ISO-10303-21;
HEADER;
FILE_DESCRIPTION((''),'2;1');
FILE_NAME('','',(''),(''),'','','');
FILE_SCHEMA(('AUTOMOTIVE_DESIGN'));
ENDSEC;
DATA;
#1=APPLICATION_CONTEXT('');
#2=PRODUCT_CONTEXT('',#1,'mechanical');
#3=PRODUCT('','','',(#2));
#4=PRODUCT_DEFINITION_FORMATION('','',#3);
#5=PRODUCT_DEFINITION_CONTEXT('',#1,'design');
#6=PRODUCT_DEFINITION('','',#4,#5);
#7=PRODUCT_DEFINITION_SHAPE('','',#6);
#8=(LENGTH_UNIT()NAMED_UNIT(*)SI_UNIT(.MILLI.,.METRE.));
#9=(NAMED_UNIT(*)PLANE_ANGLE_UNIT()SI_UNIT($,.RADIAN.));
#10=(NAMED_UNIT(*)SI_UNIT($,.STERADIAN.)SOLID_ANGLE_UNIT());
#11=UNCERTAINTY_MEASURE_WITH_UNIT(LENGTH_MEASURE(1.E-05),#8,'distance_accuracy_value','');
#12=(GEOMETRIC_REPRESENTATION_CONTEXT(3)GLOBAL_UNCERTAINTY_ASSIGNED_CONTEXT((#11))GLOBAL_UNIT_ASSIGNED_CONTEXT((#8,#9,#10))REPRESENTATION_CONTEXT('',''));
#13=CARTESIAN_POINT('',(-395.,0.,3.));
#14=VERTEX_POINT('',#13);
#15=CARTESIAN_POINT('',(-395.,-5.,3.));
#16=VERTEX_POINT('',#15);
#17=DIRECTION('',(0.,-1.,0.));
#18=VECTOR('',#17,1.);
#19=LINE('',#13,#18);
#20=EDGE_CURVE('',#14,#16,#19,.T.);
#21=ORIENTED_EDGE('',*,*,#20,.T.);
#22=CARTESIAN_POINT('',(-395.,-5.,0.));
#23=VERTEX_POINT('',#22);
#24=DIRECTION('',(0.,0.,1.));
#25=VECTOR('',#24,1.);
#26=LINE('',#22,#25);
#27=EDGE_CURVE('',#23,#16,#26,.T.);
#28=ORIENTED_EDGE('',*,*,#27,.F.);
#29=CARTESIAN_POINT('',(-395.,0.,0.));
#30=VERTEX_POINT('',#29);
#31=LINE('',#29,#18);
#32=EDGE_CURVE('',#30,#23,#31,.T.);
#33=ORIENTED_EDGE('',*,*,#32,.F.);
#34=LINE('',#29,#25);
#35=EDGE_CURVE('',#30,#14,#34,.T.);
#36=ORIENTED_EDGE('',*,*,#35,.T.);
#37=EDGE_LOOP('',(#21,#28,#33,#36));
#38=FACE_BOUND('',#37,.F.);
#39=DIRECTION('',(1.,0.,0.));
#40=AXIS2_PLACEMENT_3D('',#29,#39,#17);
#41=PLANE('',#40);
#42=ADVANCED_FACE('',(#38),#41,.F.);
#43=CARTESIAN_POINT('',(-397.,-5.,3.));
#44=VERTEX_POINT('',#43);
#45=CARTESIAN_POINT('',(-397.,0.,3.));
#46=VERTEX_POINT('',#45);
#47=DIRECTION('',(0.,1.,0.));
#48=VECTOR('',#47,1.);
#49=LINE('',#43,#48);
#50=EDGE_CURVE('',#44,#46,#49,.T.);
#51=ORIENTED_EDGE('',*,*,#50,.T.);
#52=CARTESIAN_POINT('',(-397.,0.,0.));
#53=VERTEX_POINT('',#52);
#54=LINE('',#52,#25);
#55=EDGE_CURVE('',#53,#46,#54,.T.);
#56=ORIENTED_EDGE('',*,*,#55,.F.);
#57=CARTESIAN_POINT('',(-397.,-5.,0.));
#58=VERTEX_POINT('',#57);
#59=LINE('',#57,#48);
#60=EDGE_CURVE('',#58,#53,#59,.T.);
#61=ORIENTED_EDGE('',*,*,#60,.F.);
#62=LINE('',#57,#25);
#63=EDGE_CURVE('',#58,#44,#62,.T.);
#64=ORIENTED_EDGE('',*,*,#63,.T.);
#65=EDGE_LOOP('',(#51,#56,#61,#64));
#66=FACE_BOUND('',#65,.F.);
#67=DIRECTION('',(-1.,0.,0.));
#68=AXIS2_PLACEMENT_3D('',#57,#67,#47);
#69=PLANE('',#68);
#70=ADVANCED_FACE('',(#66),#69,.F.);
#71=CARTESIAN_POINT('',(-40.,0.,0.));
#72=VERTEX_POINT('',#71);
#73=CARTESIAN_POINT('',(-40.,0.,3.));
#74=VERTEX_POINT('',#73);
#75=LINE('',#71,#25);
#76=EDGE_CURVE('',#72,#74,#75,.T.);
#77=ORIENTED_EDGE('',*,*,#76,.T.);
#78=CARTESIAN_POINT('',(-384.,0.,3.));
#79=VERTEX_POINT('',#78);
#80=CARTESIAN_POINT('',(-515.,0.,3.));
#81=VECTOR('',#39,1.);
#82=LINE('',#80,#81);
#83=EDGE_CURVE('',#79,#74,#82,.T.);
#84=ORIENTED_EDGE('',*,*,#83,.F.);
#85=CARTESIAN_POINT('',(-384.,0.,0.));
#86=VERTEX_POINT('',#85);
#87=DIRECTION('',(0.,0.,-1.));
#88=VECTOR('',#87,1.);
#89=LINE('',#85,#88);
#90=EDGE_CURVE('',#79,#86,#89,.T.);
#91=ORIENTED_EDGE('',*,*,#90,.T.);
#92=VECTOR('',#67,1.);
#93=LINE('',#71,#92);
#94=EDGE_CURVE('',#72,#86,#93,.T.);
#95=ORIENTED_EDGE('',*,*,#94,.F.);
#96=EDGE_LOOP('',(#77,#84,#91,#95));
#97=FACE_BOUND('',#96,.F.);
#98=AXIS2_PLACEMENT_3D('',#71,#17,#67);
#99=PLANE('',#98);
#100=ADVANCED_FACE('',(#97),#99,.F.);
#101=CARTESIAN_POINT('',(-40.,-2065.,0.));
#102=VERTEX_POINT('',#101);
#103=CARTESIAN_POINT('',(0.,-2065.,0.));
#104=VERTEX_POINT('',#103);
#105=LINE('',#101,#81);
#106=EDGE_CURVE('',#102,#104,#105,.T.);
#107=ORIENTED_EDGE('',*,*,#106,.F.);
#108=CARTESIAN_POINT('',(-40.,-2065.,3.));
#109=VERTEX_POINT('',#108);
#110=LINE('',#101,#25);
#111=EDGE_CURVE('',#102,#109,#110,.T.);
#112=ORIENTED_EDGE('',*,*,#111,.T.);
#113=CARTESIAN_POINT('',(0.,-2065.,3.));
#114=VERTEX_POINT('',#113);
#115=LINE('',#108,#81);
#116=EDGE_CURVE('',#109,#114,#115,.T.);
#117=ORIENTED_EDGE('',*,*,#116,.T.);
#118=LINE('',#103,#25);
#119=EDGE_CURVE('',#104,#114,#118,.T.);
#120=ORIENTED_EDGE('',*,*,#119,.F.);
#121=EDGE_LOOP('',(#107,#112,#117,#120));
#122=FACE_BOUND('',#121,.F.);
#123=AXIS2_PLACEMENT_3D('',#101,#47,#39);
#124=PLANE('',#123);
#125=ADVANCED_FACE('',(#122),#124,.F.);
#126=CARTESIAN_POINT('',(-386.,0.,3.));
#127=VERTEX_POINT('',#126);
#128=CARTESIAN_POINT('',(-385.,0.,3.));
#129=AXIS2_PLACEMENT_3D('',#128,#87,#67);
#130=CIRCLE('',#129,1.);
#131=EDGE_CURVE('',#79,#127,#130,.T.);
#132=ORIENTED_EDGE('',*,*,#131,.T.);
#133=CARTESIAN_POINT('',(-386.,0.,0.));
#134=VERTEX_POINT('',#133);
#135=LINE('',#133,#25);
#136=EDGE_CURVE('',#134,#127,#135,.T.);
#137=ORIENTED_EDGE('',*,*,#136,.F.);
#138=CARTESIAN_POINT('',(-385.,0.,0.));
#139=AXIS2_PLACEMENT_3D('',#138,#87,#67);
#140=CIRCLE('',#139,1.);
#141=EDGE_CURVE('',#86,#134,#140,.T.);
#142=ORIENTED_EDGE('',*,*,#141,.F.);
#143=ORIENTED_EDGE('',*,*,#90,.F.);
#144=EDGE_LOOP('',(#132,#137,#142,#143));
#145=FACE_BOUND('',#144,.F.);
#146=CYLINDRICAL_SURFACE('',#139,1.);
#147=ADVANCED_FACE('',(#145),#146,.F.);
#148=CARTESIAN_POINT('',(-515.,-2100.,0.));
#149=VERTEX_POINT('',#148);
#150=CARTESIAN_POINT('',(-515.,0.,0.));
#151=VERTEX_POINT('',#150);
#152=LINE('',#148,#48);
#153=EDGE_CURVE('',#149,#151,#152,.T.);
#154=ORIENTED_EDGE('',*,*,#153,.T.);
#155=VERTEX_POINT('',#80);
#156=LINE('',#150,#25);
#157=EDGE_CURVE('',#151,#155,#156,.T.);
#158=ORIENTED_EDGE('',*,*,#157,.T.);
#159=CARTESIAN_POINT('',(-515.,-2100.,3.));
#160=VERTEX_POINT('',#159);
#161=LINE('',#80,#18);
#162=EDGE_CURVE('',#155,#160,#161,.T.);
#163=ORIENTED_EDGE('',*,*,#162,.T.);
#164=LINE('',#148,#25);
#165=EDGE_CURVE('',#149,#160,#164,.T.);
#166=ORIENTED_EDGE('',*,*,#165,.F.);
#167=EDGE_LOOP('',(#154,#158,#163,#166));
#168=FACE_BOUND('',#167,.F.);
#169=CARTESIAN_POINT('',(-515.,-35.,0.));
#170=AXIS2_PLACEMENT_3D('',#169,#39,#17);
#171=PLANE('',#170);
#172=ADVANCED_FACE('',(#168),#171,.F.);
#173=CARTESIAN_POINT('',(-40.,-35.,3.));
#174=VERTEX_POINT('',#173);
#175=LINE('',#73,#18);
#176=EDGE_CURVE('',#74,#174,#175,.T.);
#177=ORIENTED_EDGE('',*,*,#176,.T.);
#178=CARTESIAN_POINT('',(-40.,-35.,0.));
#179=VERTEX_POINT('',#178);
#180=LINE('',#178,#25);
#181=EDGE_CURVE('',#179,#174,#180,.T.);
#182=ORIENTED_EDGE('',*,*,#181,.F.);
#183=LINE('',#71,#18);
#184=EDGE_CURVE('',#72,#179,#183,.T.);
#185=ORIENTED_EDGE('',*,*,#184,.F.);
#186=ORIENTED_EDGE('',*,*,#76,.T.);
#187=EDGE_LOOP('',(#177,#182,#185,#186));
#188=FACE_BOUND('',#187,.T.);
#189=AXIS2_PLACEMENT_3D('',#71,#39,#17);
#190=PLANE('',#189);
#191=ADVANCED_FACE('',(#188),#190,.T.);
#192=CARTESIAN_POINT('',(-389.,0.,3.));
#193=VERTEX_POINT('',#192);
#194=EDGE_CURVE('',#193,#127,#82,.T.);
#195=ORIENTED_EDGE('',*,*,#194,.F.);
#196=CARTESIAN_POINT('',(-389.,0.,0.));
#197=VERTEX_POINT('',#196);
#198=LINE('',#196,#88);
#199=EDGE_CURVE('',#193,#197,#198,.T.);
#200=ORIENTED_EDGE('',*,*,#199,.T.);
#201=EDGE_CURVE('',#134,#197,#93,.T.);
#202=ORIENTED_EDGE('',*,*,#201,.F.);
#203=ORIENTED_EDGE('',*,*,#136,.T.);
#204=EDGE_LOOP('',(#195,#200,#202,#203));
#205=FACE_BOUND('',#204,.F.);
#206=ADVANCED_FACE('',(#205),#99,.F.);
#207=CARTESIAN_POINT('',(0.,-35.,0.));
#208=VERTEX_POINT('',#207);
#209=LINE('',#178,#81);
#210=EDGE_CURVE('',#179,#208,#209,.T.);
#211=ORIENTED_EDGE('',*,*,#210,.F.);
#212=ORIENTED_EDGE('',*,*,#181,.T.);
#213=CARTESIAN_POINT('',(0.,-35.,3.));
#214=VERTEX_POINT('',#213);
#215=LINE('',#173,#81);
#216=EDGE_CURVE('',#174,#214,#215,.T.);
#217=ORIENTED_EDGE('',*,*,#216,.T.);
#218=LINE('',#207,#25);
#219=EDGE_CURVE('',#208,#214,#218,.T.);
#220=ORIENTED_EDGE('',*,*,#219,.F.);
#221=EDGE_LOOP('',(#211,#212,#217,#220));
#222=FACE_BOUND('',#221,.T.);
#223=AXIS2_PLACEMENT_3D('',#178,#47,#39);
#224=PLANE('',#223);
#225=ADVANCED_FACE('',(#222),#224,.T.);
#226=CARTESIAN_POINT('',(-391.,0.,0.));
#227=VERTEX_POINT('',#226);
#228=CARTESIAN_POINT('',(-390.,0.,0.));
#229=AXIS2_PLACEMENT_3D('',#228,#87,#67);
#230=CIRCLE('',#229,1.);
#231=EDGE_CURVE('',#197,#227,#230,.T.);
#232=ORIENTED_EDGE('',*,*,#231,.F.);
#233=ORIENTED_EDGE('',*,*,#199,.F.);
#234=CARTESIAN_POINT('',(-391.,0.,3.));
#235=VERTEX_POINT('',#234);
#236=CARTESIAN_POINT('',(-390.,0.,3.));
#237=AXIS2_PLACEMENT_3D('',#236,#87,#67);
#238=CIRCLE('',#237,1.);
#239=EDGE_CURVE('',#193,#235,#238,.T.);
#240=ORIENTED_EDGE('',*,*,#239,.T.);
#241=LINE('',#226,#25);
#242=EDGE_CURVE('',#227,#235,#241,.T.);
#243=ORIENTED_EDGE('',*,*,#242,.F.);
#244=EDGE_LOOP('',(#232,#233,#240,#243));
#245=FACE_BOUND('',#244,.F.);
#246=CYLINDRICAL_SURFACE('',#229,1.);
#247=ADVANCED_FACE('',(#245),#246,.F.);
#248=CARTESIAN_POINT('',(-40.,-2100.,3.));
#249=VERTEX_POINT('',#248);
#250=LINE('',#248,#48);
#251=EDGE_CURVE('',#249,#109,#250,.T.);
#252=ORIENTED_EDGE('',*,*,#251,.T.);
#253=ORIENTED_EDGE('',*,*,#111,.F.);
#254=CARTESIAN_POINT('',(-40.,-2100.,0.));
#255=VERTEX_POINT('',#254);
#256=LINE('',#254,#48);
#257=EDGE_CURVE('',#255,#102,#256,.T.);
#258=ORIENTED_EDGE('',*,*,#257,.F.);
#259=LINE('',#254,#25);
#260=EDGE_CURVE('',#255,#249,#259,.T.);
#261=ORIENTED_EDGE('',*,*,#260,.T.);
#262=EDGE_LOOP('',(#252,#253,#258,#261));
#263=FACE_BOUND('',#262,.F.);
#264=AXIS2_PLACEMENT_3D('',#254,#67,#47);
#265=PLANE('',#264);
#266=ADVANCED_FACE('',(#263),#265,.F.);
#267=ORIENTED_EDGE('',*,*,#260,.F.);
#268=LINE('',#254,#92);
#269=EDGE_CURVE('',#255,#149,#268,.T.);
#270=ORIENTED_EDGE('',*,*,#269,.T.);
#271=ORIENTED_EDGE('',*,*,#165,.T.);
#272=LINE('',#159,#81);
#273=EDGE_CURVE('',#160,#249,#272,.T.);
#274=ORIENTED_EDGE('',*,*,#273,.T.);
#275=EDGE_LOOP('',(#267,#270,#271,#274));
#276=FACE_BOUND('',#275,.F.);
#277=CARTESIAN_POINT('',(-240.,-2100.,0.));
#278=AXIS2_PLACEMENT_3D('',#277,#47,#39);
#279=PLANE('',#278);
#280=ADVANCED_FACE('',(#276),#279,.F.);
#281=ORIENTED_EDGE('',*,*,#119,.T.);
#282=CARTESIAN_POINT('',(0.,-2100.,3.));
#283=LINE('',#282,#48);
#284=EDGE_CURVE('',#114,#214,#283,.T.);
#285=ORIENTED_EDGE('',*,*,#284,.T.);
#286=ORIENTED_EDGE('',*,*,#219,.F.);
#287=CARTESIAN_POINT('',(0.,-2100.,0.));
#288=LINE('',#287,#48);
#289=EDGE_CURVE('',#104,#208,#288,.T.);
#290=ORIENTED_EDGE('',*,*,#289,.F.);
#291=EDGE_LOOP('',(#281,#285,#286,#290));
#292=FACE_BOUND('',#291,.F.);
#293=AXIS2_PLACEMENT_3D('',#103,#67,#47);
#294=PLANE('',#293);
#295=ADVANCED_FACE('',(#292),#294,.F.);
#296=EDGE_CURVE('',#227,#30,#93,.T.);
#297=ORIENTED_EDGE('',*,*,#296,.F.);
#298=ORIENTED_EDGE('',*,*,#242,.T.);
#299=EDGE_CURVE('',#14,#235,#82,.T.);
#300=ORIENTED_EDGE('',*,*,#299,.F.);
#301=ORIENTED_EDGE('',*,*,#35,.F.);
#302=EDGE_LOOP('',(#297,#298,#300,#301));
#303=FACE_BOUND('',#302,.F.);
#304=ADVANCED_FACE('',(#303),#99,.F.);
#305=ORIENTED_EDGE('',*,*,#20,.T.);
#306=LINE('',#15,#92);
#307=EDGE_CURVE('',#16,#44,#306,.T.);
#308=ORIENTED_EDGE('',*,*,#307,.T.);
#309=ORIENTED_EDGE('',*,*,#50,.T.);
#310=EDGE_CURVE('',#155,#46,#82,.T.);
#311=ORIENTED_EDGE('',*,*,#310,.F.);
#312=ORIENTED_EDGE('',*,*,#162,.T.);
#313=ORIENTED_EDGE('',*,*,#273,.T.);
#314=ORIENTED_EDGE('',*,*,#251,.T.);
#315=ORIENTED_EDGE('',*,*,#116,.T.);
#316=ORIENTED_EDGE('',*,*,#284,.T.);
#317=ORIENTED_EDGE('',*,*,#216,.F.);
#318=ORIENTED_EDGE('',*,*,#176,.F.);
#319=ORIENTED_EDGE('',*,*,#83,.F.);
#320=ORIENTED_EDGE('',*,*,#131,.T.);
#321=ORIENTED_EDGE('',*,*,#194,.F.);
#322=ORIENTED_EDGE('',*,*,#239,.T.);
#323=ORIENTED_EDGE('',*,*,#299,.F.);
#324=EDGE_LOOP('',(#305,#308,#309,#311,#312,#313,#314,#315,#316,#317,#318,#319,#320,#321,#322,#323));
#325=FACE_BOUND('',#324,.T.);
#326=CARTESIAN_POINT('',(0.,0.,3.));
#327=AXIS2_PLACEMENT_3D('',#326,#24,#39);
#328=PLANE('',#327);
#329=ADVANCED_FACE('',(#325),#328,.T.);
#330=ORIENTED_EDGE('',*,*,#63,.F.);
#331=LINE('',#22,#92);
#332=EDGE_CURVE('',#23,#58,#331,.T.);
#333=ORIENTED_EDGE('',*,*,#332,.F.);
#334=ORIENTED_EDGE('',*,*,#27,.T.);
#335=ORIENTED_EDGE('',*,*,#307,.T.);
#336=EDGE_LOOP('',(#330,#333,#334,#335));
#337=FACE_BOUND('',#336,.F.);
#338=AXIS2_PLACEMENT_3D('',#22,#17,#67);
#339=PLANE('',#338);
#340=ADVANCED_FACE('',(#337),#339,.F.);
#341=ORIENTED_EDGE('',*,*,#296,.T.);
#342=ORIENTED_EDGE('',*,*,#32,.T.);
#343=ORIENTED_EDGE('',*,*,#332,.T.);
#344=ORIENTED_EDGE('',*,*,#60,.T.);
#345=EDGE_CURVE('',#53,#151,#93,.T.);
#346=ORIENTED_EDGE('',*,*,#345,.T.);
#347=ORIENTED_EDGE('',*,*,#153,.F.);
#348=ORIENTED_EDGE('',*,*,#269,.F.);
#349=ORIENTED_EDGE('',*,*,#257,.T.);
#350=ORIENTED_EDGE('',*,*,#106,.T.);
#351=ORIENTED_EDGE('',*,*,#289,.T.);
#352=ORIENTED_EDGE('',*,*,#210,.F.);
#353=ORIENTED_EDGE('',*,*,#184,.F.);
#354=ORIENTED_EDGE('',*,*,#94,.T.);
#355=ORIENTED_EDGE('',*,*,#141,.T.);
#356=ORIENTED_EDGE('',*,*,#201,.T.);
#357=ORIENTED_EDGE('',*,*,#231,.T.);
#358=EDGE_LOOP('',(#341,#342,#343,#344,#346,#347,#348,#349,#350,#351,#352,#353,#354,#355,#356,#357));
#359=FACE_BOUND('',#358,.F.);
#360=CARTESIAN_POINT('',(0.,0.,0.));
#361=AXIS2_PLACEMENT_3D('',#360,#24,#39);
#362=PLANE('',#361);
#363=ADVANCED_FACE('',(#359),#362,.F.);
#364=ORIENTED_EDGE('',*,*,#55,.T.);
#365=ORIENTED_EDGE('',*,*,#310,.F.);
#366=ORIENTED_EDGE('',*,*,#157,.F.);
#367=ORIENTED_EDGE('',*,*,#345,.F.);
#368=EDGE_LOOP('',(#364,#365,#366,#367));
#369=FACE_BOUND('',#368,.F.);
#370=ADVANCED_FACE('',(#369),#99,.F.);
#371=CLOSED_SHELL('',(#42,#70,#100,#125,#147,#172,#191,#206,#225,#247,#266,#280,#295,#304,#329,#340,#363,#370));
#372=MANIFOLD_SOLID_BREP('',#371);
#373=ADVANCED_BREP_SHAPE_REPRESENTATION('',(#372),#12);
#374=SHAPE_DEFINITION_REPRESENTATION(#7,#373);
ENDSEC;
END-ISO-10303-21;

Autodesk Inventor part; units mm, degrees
ref_plane "YZ Plane" through (0, 0, 0) normal (1, 0, 0) x (0, 1, 0)
ref_plane "XZ Plane" through (0, 0, 0) normal (0, 1, 0) x (-1, 0, 0)
ref_plane "XY Plane" through (0, 0, 0) normal (0, 0, 1) x (1, 0, 0)
sketch "Sketch1" plane through (0, 0, 0) normal (0, 0, 1) x (1, 0, 0)
  line L0 (0, 0) -> (-515, 0)
  line L1 (-515, 0) -> (-515, -2100)
  line L2 (-515, -2100) -> (0, -2100)
  line L3 (0, -2100) -> (0, 0)
  line L4 (0, 0) -> (-40, 0)
  line L5 (-40, 0) -> (-40, -35)
  line L6 (-40, -35) -> (0, -35)
  line L7 (0, -35) -> (0, 0)
  line L8 (0, -2100) -> (-40, -2100)
  line L9 (-40, -2100) -> (-40, -2065)
  line L10 (-40, -2065) -> (0, -2065)
  line L11 (0, -2065) -> (0, -2100)
  line L12 (-515, 0) -> (-475, 0)
  line L13 (-475, 0) -> (-475, -35)
  line L14 (-475, -35) -> (-515, -35)
  line L15 (-515, -35) -> (-515, 0)
  line L16 (-515, -2100) -> (-475, -2100)
  line L17 (-475, -2100) -> (-475, -2065)
  line L18 (-475, -2065) -> (-515, -2065)
  line L19 (-515, -2065) -> (-515, -2100)
  line L20 (-340, -2100) -> (-240, -2100)
  line L21 (-240, -2100) -> (-240, -2065)
  line L22 (-240, -2065) -> (-340, -2065)
  line L23 (-340, -2065) -> (-340, -2100)
  line L24 (-340, 0) -> (-240, 0)
  line L25 (-240, 0) -> (-240, -35)
  line L26 (-240, -35) -> (-340, -35)
  line L27 (-340, -35) -> (-340, 0)
  point P0 (0, -35)
  point P1 (-40, 0)
  point P2 (-40, -2100)
  point P3 (0, -2065)
  point P4 (-240, 0)
  point P5 (-475, 0)
  point P6 (-515, -35)
  point P7 (-515, -2065)
  point P8 (-515, -35)
  point P9 (-515, -2065)
  dimension "d22" = 515
  dimension "d23" = 2100
  dimension "d24" = 40
  dimension "d25" = 35
  dimension "d28" = 100
  dimension "d29" = 200
extrude "Plate1" add sketch "Sketch1" along normal blind 3 contours L5 L6 L3 L10 L9 L2 L21 L22 L23 L17 L18 L1 L14 L13 L0 L27 L26 L25 | L25 L26 L27 L0 | L13 L14 L1 L0 | L2 L23 L22 L21 | L18 L17 L2 L1
sketch "Sketch5" plane through (0, 0, 0) normal (0, 0, -1) x (-1, 0, 0)
  line L0 (515, 0) -> (415, 0) construction
  line L1 (415, 0) -> (415, -2) construction
  line L2 (415, -2) -> (515, -2) construction
  line L3 (515, -2) -> (515, 0) construction
  line L4 (415, 0) -> (413.4752, -4.6556)
  arc A0 (412.5248, -4.6556) -> (413.4752, -4.6556) centre (413, -4.5) ccw
  line L5 (412.5248, -4.6556) -> (411, 0)
  line L6 (411, 0) -> (415, 0)
  line L7 (411, 0) -> (409, 0) construction
  line L8 (409, 0) -> (407, 0)
  line L9 (407, 0) -> (407, -5)
  line L10 (407, -5) -> (409, -5)
  line L11 (409, -5) -> (409, 0)
  line L12 (407, 0) -> (405, 0) construction
  line L13 (405, 0) -> (403, 0)
  line L14 (403, 0) -> (403, -5)
  line L15 (403, -5) -> (405, -5)
  line L16 (405, -5) -> (405, 0)
  line L17 (403, 0) -> (401, 0) construction
  line L18 (401, 0) -> (399, 0)
  line L19 (399, 0) -> (399, -5)
  line L20 (399, -5) -> (401, -5)
  line L21 (401, -5) -> (401, 0)
  line L22 (399, 0) -> (397, 0) construction
  line L23 (397, 0) -> (395, 0)
  line L24 (395, 0) -> (395, -5)
  line L25 (395, -5) -> (397, -5)
  line L26 (397, -5) -> (397, 0)
  line L27 (395, 0) -> (390, 0) construction
  line L28 (390, 0) -> (385, 0) construction
  circle A1 centre (390, 0) radius 1
  circle A2 centre (385, 0) radius 1
  point P0 (0, 0)
  point P1 (413, 0)
  point P2 (515, 0)
  dimension "d30" = 100
  dimension "d31" = 2
  dimension "d32" = 5
  dimension "d33" = 4
  dimension "d34" = 0.5
  dimension "d35" = 5
  dimension "d36" = 5
  dimension "d37" = 5
  dimension "d38" = 2
extrude "Cut1" cut sketch "Sketch5" against normal blind 3 contours L26 L25 L24 L23 | A1 | A2
equation "\"d33\" = 2 * d31"
equation "\"d34\" = 0.25 * d31"
equation "\"d38\" = d31"
equation "\"d39\" = Thickness"
equation "\"d2\" = Thickness"
equation "\"BendReliefWidth\" = Thickness"
equation "\"BendReliefDepth\" = 0.5 * Thickness"
equation "\"CornerReliefSize\" = 4 * Thickness"
equation "\"MinimumRemnant\" = 2 * Thickness"
equation "\"TransitionRadius\" = BendRadius"
equation "\"JacobiRadiusSize\" = BendRadius"
equation "\"GapSize\" = Thickness"
equation "\"Thickness\" = 3"
equation "\"BendRadius\" = 5"
properties part number "GnG frame 2 floor sheet 10" material "Stainless Steel"
